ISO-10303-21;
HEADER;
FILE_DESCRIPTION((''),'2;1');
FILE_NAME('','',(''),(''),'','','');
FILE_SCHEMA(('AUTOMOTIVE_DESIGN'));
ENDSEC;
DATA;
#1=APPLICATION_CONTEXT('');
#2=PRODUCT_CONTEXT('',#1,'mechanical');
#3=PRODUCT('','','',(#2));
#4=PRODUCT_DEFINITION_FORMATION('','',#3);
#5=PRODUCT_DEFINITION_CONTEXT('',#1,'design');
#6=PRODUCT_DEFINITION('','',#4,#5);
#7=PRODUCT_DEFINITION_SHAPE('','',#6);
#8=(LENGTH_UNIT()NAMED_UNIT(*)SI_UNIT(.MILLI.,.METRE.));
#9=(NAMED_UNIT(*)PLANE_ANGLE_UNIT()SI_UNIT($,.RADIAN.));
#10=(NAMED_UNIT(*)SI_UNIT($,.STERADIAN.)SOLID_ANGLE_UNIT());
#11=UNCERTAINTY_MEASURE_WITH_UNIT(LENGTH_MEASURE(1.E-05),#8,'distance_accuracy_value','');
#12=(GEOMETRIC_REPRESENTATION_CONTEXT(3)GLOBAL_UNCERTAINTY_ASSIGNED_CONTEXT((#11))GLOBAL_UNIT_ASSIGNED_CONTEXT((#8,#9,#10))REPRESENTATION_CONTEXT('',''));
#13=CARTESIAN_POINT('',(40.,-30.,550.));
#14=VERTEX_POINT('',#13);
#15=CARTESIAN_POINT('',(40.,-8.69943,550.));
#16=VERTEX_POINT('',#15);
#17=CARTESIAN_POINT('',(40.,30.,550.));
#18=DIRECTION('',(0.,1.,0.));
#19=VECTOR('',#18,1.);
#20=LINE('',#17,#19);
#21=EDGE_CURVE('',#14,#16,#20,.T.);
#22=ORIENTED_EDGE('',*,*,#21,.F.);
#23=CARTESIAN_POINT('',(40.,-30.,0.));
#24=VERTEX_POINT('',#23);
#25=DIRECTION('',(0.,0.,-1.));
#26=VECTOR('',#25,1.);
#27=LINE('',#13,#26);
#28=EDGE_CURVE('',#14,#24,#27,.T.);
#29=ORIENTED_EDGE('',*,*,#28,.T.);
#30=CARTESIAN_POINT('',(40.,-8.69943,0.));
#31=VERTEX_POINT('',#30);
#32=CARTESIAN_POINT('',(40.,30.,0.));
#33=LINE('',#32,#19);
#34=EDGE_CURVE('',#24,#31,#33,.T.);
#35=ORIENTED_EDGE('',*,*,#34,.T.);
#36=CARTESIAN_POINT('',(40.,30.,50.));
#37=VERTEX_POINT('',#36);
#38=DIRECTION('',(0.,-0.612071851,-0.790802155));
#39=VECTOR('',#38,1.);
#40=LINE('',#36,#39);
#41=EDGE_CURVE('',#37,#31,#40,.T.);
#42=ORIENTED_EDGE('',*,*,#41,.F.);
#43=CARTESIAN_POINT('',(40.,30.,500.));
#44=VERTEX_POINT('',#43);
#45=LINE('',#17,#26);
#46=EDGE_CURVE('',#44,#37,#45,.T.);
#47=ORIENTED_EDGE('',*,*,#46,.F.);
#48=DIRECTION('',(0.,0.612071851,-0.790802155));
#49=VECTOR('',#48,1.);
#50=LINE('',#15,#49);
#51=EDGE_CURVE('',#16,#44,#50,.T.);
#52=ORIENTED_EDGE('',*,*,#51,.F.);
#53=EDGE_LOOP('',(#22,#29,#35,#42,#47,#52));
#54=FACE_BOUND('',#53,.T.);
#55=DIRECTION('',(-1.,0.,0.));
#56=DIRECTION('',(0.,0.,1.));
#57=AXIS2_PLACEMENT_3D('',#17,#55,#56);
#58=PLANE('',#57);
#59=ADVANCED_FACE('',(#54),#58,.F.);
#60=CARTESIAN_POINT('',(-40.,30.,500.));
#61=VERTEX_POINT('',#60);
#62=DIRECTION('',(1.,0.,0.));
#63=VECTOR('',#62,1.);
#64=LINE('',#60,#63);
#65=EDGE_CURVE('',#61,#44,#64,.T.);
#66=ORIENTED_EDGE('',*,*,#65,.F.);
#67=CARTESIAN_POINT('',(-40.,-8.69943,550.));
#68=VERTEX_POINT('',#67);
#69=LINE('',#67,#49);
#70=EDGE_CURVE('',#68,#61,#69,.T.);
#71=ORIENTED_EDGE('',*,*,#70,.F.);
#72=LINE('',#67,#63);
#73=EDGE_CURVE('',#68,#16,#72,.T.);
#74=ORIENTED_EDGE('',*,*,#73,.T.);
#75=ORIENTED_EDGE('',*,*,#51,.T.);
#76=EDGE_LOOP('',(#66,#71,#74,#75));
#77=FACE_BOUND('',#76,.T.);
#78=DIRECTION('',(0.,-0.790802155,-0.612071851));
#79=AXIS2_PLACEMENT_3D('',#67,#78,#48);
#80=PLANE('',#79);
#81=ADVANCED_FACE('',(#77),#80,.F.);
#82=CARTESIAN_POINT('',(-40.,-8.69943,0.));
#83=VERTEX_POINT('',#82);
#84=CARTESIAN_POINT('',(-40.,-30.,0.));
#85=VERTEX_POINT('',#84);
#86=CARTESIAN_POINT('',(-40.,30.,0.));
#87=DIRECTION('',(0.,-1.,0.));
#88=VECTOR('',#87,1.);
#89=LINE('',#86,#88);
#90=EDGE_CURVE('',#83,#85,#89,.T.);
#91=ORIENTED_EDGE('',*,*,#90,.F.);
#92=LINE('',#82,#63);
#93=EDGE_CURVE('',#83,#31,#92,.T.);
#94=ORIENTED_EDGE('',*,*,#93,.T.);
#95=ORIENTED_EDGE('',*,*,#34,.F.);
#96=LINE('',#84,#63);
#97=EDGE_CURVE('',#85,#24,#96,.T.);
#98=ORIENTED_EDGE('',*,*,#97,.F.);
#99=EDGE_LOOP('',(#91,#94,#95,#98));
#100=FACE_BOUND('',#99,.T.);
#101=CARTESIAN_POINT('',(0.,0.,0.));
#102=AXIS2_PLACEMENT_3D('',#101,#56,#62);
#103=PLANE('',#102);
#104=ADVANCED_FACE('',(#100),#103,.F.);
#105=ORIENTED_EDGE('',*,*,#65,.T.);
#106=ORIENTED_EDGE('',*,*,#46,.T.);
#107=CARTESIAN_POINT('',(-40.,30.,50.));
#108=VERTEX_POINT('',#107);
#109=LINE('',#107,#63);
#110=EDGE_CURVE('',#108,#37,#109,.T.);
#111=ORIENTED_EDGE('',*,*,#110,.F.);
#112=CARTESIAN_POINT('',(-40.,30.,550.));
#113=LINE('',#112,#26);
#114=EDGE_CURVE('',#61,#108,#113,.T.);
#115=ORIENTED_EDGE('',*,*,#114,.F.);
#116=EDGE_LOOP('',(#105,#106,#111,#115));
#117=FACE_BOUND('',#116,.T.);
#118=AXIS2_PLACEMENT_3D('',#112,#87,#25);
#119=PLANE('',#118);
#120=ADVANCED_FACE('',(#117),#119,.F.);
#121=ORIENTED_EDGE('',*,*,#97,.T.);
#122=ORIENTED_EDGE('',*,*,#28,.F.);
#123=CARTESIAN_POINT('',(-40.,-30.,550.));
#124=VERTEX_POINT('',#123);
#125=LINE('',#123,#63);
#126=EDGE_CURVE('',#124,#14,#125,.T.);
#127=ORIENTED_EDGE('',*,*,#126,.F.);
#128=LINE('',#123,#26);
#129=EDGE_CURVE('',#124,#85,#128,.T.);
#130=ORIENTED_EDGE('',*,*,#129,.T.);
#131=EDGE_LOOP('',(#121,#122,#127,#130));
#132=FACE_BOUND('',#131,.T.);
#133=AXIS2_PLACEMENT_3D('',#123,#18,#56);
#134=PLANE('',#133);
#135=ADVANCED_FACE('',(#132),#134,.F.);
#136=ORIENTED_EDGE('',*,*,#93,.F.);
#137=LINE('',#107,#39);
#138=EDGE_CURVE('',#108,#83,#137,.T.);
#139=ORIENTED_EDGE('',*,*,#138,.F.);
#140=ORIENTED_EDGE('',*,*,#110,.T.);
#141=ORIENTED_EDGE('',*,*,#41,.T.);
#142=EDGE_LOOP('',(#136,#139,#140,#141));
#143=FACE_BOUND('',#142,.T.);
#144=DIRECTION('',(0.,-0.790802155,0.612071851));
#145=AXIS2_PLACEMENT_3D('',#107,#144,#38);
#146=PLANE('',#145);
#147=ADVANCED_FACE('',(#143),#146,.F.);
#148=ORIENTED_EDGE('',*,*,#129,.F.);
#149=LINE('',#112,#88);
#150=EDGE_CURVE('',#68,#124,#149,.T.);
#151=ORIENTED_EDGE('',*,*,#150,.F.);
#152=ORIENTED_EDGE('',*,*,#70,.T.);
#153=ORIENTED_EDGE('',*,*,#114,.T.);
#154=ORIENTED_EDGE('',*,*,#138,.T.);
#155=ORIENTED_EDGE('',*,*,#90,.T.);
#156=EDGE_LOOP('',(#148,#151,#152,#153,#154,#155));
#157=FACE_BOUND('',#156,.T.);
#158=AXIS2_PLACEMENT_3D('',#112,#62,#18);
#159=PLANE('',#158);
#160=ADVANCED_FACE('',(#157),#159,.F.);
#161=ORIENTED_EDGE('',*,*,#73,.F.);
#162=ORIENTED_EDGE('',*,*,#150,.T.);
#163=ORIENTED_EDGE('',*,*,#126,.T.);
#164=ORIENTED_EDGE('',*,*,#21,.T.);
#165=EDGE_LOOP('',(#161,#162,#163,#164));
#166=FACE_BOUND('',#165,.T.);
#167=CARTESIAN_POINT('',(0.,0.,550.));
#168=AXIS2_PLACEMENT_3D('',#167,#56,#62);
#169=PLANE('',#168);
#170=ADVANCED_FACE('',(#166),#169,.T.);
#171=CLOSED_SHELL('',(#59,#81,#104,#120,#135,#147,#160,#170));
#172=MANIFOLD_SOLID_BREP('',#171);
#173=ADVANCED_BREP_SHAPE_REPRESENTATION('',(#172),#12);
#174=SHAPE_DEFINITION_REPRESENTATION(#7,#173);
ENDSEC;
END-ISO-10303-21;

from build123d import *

# Parameters (mm, degrees)
SKETCH2_W           = 80
SKETCH2_H           = 60
BOSS_EXTRUDE1_DEPTH = 550
CUT_EXTRUDE3_DEPTH  = 80


with BuildPart() as part:
    # Sketch2 → Boss-Extrude1 (new body)
    with BuildSketch(Plane.XY):
        Rectangle(SKETCH2_W, SKETCH2_H)
    extrude(amount=BOSS_EXTRUDE1_DEPTH)

    # Sketch4 → Cut-Extrude3 (cut)
    with BuildSketch(Plane(origin=(40, 0, 0), x_dir=(0, 0, -1), z_dir=(1, 0, 0))):
        Polygon((-550, 30), (-550, -8.699429877), (-500, 30), align=None)
        Polygon((-50, 30), (0, -8.699429877), (0, 30), align=None)
    extrude(amount=-CUT_EXTRUDE3_DEPTH, mode=Mode.SUBTRACT)


solid = part.part
